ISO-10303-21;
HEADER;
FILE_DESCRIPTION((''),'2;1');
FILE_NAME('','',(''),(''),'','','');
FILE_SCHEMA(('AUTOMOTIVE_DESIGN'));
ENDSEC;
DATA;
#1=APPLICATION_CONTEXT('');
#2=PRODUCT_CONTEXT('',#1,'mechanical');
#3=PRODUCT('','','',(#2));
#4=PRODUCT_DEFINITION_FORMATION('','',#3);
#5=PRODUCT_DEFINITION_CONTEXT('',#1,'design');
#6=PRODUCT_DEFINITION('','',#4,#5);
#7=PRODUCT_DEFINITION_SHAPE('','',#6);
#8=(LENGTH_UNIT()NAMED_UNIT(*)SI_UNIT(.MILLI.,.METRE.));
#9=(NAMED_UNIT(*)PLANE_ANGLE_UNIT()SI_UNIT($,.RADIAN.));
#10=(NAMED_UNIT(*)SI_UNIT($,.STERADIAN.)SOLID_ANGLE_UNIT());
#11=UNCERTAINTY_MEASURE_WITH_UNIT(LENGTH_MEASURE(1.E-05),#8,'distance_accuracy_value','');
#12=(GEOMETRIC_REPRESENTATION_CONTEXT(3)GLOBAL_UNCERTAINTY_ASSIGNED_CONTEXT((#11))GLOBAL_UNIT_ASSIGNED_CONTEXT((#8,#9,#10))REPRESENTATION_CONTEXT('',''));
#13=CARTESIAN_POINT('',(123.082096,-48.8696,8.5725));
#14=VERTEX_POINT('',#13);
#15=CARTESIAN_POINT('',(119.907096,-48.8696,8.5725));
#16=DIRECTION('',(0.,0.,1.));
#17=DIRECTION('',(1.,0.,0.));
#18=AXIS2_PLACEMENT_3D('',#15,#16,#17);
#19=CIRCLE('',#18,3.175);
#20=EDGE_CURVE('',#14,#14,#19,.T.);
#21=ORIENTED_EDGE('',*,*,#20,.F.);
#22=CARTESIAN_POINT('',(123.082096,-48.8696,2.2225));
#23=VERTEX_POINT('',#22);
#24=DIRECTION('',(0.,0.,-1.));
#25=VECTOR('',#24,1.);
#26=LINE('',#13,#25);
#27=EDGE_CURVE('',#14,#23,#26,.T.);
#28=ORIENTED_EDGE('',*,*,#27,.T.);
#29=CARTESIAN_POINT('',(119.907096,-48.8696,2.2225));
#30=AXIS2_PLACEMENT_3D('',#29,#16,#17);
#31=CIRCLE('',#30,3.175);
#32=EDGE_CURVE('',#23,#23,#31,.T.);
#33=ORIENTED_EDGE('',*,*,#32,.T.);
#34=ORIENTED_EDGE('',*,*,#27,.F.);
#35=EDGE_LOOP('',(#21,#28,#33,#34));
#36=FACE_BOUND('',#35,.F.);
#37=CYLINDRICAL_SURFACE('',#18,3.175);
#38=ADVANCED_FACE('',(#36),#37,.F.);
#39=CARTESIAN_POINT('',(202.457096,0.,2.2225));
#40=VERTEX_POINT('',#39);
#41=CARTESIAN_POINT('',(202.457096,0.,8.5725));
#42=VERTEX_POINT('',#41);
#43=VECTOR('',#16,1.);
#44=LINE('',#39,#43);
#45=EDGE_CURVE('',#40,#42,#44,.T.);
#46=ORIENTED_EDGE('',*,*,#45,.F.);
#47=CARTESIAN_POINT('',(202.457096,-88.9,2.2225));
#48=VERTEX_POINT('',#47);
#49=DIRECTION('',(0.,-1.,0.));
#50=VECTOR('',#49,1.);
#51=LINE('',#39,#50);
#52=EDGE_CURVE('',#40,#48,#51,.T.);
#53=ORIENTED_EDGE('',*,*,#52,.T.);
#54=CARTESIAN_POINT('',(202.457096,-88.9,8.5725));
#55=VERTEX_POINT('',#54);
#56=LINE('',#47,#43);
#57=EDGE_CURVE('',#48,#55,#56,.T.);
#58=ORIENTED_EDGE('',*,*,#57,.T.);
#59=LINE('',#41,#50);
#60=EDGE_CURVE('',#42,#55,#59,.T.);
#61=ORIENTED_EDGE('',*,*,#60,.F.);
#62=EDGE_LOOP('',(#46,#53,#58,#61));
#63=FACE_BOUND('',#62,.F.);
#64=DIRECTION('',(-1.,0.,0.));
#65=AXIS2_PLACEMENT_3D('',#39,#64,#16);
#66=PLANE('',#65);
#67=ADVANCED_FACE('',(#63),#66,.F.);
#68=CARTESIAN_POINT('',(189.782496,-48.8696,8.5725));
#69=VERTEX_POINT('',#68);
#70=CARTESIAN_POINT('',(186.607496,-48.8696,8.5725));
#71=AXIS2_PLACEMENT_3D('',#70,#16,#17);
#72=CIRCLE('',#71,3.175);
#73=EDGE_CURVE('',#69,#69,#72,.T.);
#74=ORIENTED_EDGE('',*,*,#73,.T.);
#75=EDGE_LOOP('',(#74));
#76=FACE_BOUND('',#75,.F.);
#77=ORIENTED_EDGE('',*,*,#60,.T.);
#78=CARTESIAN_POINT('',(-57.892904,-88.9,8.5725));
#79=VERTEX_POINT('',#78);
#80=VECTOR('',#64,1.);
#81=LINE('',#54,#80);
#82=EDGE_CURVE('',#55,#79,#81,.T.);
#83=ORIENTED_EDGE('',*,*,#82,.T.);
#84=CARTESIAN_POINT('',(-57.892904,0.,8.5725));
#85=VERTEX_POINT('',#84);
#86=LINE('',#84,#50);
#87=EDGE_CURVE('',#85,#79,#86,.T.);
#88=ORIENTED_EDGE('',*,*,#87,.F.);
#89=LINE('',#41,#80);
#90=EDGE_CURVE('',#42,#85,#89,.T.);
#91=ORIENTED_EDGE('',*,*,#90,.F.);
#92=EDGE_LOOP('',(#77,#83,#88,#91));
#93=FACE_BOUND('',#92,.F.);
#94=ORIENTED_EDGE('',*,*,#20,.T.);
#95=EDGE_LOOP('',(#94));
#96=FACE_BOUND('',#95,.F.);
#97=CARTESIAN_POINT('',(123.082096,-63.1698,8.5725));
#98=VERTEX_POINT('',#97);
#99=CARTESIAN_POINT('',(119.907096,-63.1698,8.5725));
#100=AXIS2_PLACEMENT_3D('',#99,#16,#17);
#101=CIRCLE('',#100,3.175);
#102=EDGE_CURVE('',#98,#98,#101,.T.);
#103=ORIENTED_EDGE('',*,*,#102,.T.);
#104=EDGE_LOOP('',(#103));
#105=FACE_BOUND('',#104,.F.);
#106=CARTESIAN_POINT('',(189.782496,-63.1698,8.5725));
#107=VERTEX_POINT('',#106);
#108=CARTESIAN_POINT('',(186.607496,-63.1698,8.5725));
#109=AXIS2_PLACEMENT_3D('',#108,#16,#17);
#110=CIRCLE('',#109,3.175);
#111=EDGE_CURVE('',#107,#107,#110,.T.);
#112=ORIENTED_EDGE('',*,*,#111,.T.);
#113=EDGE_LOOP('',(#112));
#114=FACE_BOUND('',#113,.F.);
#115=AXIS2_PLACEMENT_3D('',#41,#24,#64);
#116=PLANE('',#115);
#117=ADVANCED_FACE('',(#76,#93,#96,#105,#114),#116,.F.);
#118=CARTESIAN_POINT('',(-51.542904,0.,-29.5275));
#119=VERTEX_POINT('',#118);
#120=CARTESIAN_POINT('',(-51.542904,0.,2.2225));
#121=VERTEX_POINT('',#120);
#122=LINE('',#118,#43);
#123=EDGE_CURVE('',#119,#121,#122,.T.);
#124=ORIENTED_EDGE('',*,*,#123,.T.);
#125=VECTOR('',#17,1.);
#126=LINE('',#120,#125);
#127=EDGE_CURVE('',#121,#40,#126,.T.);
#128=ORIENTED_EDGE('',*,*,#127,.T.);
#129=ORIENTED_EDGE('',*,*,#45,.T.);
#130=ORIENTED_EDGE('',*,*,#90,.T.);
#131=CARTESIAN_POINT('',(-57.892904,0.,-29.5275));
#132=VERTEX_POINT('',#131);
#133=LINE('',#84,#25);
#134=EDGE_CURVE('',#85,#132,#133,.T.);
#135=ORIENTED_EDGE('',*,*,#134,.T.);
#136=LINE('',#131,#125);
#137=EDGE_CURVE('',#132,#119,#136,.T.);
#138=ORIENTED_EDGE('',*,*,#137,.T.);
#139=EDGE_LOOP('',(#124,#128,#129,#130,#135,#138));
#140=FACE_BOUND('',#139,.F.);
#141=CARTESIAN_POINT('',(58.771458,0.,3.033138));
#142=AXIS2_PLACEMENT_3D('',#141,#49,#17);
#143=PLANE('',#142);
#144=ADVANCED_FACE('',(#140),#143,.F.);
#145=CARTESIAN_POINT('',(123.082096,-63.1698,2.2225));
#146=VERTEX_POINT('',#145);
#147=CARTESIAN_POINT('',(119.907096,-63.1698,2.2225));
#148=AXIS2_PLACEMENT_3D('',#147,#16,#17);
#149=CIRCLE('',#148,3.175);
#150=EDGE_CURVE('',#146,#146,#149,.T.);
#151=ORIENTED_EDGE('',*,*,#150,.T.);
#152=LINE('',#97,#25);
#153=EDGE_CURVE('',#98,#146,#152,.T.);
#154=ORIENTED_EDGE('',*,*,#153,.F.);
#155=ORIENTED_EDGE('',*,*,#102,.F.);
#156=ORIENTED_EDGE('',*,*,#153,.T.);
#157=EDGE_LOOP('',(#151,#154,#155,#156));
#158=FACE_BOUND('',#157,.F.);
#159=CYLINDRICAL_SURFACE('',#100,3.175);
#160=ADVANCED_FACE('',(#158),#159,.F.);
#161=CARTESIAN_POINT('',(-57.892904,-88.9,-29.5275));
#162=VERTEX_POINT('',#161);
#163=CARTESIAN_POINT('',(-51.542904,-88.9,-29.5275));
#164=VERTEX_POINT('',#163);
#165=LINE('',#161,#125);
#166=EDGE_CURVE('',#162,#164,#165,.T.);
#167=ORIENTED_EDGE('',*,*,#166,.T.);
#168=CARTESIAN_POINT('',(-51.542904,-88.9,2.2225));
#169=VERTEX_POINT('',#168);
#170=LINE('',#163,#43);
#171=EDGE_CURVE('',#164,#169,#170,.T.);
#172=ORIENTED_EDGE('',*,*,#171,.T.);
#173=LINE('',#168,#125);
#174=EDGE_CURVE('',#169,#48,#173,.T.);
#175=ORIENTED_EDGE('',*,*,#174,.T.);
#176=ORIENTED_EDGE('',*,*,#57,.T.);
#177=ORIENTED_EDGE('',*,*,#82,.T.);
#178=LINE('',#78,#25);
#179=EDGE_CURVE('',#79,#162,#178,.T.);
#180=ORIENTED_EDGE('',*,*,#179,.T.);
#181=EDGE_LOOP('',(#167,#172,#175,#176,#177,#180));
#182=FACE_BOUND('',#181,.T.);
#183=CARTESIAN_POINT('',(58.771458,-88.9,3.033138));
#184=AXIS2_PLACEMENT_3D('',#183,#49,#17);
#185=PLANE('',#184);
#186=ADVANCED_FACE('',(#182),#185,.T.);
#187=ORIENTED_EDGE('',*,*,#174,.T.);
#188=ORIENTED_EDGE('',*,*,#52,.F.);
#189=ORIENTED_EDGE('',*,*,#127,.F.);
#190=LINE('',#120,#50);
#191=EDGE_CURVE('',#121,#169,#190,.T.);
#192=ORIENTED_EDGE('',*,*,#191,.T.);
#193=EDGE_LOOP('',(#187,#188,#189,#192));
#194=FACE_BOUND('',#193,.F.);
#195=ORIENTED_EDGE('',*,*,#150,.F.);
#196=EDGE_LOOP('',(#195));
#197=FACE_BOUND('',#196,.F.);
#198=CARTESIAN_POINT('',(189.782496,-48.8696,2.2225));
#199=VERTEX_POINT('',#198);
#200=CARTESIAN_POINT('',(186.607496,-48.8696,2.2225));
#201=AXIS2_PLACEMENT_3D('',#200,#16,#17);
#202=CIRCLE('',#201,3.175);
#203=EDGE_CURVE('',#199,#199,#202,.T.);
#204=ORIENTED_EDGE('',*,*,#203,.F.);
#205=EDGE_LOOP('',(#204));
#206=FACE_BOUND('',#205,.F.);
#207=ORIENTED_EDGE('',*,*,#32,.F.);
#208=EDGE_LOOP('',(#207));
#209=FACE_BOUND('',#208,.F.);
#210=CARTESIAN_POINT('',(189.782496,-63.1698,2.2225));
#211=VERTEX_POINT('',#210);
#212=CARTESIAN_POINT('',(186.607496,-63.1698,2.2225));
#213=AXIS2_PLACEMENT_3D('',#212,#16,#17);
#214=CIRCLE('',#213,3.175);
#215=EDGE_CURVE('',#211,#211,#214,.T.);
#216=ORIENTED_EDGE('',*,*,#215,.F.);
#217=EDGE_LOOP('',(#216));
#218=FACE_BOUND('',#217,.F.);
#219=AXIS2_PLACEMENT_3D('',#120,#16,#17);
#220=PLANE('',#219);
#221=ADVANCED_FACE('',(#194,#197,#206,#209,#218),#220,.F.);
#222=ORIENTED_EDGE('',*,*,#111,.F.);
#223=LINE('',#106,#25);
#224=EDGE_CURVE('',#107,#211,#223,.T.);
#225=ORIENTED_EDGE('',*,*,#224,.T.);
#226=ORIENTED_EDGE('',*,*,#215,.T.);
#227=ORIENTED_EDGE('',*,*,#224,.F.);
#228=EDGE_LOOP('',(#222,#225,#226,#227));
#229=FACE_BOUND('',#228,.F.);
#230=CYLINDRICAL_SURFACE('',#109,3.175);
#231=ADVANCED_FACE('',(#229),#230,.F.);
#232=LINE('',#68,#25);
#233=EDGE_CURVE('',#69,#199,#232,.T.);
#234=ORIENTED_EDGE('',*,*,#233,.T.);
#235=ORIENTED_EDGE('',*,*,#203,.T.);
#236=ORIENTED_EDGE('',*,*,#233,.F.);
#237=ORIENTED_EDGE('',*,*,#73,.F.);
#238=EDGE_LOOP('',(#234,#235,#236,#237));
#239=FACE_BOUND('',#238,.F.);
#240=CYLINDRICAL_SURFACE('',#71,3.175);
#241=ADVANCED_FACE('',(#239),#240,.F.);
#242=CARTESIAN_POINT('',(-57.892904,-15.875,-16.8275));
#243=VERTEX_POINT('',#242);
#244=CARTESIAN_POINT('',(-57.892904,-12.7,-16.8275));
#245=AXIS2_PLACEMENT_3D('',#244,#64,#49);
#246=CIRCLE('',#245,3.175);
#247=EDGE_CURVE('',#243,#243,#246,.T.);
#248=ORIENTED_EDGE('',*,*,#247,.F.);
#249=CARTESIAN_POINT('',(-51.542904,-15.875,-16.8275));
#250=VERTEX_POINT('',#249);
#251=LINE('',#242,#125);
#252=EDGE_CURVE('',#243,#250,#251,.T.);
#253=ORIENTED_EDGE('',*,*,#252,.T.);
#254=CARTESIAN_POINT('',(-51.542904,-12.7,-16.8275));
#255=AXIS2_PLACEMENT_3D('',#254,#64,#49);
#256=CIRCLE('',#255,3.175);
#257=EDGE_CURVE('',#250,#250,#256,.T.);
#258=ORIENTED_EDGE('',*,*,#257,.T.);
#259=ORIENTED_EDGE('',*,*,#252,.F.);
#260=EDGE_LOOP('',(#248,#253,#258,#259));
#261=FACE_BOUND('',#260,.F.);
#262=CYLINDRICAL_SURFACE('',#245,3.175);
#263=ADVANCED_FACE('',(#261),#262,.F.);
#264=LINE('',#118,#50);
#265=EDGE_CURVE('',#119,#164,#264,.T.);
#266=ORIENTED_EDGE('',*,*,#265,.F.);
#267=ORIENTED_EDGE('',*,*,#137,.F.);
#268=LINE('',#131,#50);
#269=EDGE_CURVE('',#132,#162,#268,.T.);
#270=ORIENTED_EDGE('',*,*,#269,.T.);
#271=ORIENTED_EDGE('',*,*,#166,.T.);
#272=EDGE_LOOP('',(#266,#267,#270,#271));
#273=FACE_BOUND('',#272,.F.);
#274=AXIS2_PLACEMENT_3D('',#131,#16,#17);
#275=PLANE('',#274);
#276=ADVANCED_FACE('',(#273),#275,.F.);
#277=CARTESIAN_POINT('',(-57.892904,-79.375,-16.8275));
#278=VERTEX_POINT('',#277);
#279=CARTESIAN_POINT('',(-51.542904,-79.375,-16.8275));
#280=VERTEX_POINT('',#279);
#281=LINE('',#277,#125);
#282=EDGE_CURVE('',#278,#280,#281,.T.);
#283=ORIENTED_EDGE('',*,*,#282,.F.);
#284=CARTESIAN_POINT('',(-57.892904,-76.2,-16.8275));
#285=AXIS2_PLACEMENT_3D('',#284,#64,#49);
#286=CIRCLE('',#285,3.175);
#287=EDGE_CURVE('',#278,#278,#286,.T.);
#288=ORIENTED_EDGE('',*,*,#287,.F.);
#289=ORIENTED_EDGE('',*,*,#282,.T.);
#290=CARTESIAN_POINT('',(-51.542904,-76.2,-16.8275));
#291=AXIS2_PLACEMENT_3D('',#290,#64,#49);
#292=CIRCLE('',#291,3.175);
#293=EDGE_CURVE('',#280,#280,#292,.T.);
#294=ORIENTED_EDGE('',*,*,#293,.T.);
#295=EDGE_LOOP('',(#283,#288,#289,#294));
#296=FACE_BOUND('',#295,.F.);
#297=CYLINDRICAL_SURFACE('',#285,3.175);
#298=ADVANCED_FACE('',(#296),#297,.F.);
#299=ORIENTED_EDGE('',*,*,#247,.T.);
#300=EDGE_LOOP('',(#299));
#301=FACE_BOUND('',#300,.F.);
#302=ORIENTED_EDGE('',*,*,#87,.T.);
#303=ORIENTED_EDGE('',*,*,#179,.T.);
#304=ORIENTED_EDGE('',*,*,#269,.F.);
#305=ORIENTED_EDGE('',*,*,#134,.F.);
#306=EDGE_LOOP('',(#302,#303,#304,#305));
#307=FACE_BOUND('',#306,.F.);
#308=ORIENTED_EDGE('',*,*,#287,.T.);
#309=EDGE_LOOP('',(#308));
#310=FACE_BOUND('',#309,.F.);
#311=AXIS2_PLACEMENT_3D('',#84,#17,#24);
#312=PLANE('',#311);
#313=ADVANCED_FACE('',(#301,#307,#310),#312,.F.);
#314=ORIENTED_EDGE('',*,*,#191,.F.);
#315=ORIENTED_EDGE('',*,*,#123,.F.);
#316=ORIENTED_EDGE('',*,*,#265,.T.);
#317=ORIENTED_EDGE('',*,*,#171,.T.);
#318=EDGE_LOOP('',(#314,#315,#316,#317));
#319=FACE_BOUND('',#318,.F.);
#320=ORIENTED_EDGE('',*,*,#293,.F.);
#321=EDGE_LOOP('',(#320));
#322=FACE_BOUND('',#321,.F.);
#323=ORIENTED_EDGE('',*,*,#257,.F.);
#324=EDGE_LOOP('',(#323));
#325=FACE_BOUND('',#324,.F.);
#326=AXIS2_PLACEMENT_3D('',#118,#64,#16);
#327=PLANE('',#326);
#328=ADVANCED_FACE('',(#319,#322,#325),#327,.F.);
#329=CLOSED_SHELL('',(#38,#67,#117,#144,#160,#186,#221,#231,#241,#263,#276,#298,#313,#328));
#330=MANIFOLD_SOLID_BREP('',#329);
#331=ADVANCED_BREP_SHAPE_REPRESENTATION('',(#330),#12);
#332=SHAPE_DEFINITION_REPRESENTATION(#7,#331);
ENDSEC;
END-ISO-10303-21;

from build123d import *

# Parameters (mm, degrees)
F1_DEPTH = 88.9
F2_R     = 3.175
F3_DEPTH = 25.4
F4_R     = 3.175
F5_DEPTH = 25.4


with BuildPart() as f1:
    # F0 (on Front) → F1 (new body)
    with BuildSketch(Plane.XZ):
        Polygon((-57.892904, 8.5725), (-57.892904, -29.5275), (-51.542904, -29.5275), (-51.542904, 2.2225), (202.457096, 2.2225), (202.457096, 8.5725), align=None)
    extrude(amount=F1_DEPTH)

    # F2 (on face) → F3 (cut)
    with BuildSketch(Plane.XY.offset(8.5725)):
        with Locations((119.907096, -63.1698)):
            Circle(F2_R)
        with Locations((119.907096, -48.8696)):
            Circle(F2_R)
        with Locations((186.607496, -63.1698)):
            Circle(F2_R)
        with Locations((186.607496, -48.8696)):
            Circle(F2_R)
    extrude(amount=-F3_DEPTH, mode=Mode.SUBTRACT)

    # F4 (on face) → F5 (cut)
    with BuildSketch(Plane(origin=(-57.892904, 0, 0), x_dir=(0, -1, 0), z_dir=(-1, 0, 0))):
        with Locations((12.7, -16.8275)):
            Circle(F4_R)
        with Locations((76.2, -16.8275)):
            Circle(F4_R)
    extrude(amount=-F5_DEPTH, mode=Mode.SUBTRACT)


solid = f1.part
